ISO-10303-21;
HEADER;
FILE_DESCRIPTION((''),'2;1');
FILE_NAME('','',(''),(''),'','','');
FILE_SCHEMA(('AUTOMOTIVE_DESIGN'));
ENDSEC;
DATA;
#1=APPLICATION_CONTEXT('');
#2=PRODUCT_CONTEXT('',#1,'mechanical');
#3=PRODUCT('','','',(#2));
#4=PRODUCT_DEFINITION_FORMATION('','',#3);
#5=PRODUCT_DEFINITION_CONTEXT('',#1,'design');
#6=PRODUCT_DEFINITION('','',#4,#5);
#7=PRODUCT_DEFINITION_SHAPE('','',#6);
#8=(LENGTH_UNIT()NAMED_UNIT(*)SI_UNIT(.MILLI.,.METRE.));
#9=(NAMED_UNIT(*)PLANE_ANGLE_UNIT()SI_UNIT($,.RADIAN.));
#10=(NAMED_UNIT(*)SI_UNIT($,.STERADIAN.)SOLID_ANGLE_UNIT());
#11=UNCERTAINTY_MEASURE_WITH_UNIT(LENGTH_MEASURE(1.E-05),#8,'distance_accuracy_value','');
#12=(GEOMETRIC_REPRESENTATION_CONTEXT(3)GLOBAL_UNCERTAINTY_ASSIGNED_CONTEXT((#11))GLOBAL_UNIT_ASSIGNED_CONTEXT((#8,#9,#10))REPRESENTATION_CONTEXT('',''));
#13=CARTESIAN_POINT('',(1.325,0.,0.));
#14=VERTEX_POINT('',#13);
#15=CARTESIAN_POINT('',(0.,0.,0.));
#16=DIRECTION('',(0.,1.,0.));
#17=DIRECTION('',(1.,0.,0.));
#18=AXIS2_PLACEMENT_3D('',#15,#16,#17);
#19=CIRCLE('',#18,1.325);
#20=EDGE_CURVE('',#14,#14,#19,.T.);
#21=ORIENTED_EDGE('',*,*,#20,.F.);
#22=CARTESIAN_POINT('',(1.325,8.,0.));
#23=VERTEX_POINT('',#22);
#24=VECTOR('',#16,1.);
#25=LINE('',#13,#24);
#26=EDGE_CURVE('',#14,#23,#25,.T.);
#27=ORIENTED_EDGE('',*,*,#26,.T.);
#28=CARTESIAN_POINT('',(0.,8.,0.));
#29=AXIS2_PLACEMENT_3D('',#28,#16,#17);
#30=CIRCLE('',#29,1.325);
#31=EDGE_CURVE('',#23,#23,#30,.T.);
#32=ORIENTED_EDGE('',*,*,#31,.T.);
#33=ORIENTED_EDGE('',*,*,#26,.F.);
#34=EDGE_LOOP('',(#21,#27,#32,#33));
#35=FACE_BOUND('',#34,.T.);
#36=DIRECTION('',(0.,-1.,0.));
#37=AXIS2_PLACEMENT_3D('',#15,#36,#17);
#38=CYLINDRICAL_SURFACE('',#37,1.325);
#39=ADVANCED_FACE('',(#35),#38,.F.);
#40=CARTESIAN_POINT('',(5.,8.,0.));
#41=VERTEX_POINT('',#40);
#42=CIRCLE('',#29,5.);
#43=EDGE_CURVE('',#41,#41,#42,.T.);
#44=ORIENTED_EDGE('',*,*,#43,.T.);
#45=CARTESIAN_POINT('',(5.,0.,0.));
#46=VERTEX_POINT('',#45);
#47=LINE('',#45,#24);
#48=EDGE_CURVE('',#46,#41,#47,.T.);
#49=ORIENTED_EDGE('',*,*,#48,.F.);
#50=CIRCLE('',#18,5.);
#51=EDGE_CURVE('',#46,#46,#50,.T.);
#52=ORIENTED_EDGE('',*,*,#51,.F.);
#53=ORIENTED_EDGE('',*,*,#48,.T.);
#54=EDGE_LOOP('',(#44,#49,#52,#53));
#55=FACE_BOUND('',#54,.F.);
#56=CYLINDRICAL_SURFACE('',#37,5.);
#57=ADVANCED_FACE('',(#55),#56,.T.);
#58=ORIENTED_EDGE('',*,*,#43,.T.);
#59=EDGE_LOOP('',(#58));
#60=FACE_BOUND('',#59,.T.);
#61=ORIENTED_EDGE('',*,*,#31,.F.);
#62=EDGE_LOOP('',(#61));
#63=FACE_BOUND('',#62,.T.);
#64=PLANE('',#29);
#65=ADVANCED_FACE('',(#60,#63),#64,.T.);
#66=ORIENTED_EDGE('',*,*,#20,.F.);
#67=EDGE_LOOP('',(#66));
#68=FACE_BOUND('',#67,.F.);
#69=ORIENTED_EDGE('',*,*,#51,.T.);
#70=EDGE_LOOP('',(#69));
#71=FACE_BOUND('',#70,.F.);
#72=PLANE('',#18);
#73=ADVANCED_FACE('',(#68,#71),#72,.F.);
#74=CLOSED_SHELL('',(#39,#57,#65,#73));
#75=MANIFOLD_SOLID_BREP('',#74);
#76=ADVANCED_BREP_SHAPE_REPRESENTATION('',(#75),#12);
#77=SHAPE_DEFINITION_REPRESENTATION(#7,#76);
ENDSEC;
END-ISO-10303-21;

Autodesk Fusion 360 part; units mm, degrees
sketch "Sketch1" plane through (0, 0, 0) normal (0, 1, 0) x (1, 0, 0)
  circle A0 centre (0, 0) radius 5
  circle A1 centre (0, 0) radius 1.325
  dimension "d1" = 10
  dimension "d2" = 2.65
extrude "Extrude1" add sketch "Sketch1" along normal blind 8
